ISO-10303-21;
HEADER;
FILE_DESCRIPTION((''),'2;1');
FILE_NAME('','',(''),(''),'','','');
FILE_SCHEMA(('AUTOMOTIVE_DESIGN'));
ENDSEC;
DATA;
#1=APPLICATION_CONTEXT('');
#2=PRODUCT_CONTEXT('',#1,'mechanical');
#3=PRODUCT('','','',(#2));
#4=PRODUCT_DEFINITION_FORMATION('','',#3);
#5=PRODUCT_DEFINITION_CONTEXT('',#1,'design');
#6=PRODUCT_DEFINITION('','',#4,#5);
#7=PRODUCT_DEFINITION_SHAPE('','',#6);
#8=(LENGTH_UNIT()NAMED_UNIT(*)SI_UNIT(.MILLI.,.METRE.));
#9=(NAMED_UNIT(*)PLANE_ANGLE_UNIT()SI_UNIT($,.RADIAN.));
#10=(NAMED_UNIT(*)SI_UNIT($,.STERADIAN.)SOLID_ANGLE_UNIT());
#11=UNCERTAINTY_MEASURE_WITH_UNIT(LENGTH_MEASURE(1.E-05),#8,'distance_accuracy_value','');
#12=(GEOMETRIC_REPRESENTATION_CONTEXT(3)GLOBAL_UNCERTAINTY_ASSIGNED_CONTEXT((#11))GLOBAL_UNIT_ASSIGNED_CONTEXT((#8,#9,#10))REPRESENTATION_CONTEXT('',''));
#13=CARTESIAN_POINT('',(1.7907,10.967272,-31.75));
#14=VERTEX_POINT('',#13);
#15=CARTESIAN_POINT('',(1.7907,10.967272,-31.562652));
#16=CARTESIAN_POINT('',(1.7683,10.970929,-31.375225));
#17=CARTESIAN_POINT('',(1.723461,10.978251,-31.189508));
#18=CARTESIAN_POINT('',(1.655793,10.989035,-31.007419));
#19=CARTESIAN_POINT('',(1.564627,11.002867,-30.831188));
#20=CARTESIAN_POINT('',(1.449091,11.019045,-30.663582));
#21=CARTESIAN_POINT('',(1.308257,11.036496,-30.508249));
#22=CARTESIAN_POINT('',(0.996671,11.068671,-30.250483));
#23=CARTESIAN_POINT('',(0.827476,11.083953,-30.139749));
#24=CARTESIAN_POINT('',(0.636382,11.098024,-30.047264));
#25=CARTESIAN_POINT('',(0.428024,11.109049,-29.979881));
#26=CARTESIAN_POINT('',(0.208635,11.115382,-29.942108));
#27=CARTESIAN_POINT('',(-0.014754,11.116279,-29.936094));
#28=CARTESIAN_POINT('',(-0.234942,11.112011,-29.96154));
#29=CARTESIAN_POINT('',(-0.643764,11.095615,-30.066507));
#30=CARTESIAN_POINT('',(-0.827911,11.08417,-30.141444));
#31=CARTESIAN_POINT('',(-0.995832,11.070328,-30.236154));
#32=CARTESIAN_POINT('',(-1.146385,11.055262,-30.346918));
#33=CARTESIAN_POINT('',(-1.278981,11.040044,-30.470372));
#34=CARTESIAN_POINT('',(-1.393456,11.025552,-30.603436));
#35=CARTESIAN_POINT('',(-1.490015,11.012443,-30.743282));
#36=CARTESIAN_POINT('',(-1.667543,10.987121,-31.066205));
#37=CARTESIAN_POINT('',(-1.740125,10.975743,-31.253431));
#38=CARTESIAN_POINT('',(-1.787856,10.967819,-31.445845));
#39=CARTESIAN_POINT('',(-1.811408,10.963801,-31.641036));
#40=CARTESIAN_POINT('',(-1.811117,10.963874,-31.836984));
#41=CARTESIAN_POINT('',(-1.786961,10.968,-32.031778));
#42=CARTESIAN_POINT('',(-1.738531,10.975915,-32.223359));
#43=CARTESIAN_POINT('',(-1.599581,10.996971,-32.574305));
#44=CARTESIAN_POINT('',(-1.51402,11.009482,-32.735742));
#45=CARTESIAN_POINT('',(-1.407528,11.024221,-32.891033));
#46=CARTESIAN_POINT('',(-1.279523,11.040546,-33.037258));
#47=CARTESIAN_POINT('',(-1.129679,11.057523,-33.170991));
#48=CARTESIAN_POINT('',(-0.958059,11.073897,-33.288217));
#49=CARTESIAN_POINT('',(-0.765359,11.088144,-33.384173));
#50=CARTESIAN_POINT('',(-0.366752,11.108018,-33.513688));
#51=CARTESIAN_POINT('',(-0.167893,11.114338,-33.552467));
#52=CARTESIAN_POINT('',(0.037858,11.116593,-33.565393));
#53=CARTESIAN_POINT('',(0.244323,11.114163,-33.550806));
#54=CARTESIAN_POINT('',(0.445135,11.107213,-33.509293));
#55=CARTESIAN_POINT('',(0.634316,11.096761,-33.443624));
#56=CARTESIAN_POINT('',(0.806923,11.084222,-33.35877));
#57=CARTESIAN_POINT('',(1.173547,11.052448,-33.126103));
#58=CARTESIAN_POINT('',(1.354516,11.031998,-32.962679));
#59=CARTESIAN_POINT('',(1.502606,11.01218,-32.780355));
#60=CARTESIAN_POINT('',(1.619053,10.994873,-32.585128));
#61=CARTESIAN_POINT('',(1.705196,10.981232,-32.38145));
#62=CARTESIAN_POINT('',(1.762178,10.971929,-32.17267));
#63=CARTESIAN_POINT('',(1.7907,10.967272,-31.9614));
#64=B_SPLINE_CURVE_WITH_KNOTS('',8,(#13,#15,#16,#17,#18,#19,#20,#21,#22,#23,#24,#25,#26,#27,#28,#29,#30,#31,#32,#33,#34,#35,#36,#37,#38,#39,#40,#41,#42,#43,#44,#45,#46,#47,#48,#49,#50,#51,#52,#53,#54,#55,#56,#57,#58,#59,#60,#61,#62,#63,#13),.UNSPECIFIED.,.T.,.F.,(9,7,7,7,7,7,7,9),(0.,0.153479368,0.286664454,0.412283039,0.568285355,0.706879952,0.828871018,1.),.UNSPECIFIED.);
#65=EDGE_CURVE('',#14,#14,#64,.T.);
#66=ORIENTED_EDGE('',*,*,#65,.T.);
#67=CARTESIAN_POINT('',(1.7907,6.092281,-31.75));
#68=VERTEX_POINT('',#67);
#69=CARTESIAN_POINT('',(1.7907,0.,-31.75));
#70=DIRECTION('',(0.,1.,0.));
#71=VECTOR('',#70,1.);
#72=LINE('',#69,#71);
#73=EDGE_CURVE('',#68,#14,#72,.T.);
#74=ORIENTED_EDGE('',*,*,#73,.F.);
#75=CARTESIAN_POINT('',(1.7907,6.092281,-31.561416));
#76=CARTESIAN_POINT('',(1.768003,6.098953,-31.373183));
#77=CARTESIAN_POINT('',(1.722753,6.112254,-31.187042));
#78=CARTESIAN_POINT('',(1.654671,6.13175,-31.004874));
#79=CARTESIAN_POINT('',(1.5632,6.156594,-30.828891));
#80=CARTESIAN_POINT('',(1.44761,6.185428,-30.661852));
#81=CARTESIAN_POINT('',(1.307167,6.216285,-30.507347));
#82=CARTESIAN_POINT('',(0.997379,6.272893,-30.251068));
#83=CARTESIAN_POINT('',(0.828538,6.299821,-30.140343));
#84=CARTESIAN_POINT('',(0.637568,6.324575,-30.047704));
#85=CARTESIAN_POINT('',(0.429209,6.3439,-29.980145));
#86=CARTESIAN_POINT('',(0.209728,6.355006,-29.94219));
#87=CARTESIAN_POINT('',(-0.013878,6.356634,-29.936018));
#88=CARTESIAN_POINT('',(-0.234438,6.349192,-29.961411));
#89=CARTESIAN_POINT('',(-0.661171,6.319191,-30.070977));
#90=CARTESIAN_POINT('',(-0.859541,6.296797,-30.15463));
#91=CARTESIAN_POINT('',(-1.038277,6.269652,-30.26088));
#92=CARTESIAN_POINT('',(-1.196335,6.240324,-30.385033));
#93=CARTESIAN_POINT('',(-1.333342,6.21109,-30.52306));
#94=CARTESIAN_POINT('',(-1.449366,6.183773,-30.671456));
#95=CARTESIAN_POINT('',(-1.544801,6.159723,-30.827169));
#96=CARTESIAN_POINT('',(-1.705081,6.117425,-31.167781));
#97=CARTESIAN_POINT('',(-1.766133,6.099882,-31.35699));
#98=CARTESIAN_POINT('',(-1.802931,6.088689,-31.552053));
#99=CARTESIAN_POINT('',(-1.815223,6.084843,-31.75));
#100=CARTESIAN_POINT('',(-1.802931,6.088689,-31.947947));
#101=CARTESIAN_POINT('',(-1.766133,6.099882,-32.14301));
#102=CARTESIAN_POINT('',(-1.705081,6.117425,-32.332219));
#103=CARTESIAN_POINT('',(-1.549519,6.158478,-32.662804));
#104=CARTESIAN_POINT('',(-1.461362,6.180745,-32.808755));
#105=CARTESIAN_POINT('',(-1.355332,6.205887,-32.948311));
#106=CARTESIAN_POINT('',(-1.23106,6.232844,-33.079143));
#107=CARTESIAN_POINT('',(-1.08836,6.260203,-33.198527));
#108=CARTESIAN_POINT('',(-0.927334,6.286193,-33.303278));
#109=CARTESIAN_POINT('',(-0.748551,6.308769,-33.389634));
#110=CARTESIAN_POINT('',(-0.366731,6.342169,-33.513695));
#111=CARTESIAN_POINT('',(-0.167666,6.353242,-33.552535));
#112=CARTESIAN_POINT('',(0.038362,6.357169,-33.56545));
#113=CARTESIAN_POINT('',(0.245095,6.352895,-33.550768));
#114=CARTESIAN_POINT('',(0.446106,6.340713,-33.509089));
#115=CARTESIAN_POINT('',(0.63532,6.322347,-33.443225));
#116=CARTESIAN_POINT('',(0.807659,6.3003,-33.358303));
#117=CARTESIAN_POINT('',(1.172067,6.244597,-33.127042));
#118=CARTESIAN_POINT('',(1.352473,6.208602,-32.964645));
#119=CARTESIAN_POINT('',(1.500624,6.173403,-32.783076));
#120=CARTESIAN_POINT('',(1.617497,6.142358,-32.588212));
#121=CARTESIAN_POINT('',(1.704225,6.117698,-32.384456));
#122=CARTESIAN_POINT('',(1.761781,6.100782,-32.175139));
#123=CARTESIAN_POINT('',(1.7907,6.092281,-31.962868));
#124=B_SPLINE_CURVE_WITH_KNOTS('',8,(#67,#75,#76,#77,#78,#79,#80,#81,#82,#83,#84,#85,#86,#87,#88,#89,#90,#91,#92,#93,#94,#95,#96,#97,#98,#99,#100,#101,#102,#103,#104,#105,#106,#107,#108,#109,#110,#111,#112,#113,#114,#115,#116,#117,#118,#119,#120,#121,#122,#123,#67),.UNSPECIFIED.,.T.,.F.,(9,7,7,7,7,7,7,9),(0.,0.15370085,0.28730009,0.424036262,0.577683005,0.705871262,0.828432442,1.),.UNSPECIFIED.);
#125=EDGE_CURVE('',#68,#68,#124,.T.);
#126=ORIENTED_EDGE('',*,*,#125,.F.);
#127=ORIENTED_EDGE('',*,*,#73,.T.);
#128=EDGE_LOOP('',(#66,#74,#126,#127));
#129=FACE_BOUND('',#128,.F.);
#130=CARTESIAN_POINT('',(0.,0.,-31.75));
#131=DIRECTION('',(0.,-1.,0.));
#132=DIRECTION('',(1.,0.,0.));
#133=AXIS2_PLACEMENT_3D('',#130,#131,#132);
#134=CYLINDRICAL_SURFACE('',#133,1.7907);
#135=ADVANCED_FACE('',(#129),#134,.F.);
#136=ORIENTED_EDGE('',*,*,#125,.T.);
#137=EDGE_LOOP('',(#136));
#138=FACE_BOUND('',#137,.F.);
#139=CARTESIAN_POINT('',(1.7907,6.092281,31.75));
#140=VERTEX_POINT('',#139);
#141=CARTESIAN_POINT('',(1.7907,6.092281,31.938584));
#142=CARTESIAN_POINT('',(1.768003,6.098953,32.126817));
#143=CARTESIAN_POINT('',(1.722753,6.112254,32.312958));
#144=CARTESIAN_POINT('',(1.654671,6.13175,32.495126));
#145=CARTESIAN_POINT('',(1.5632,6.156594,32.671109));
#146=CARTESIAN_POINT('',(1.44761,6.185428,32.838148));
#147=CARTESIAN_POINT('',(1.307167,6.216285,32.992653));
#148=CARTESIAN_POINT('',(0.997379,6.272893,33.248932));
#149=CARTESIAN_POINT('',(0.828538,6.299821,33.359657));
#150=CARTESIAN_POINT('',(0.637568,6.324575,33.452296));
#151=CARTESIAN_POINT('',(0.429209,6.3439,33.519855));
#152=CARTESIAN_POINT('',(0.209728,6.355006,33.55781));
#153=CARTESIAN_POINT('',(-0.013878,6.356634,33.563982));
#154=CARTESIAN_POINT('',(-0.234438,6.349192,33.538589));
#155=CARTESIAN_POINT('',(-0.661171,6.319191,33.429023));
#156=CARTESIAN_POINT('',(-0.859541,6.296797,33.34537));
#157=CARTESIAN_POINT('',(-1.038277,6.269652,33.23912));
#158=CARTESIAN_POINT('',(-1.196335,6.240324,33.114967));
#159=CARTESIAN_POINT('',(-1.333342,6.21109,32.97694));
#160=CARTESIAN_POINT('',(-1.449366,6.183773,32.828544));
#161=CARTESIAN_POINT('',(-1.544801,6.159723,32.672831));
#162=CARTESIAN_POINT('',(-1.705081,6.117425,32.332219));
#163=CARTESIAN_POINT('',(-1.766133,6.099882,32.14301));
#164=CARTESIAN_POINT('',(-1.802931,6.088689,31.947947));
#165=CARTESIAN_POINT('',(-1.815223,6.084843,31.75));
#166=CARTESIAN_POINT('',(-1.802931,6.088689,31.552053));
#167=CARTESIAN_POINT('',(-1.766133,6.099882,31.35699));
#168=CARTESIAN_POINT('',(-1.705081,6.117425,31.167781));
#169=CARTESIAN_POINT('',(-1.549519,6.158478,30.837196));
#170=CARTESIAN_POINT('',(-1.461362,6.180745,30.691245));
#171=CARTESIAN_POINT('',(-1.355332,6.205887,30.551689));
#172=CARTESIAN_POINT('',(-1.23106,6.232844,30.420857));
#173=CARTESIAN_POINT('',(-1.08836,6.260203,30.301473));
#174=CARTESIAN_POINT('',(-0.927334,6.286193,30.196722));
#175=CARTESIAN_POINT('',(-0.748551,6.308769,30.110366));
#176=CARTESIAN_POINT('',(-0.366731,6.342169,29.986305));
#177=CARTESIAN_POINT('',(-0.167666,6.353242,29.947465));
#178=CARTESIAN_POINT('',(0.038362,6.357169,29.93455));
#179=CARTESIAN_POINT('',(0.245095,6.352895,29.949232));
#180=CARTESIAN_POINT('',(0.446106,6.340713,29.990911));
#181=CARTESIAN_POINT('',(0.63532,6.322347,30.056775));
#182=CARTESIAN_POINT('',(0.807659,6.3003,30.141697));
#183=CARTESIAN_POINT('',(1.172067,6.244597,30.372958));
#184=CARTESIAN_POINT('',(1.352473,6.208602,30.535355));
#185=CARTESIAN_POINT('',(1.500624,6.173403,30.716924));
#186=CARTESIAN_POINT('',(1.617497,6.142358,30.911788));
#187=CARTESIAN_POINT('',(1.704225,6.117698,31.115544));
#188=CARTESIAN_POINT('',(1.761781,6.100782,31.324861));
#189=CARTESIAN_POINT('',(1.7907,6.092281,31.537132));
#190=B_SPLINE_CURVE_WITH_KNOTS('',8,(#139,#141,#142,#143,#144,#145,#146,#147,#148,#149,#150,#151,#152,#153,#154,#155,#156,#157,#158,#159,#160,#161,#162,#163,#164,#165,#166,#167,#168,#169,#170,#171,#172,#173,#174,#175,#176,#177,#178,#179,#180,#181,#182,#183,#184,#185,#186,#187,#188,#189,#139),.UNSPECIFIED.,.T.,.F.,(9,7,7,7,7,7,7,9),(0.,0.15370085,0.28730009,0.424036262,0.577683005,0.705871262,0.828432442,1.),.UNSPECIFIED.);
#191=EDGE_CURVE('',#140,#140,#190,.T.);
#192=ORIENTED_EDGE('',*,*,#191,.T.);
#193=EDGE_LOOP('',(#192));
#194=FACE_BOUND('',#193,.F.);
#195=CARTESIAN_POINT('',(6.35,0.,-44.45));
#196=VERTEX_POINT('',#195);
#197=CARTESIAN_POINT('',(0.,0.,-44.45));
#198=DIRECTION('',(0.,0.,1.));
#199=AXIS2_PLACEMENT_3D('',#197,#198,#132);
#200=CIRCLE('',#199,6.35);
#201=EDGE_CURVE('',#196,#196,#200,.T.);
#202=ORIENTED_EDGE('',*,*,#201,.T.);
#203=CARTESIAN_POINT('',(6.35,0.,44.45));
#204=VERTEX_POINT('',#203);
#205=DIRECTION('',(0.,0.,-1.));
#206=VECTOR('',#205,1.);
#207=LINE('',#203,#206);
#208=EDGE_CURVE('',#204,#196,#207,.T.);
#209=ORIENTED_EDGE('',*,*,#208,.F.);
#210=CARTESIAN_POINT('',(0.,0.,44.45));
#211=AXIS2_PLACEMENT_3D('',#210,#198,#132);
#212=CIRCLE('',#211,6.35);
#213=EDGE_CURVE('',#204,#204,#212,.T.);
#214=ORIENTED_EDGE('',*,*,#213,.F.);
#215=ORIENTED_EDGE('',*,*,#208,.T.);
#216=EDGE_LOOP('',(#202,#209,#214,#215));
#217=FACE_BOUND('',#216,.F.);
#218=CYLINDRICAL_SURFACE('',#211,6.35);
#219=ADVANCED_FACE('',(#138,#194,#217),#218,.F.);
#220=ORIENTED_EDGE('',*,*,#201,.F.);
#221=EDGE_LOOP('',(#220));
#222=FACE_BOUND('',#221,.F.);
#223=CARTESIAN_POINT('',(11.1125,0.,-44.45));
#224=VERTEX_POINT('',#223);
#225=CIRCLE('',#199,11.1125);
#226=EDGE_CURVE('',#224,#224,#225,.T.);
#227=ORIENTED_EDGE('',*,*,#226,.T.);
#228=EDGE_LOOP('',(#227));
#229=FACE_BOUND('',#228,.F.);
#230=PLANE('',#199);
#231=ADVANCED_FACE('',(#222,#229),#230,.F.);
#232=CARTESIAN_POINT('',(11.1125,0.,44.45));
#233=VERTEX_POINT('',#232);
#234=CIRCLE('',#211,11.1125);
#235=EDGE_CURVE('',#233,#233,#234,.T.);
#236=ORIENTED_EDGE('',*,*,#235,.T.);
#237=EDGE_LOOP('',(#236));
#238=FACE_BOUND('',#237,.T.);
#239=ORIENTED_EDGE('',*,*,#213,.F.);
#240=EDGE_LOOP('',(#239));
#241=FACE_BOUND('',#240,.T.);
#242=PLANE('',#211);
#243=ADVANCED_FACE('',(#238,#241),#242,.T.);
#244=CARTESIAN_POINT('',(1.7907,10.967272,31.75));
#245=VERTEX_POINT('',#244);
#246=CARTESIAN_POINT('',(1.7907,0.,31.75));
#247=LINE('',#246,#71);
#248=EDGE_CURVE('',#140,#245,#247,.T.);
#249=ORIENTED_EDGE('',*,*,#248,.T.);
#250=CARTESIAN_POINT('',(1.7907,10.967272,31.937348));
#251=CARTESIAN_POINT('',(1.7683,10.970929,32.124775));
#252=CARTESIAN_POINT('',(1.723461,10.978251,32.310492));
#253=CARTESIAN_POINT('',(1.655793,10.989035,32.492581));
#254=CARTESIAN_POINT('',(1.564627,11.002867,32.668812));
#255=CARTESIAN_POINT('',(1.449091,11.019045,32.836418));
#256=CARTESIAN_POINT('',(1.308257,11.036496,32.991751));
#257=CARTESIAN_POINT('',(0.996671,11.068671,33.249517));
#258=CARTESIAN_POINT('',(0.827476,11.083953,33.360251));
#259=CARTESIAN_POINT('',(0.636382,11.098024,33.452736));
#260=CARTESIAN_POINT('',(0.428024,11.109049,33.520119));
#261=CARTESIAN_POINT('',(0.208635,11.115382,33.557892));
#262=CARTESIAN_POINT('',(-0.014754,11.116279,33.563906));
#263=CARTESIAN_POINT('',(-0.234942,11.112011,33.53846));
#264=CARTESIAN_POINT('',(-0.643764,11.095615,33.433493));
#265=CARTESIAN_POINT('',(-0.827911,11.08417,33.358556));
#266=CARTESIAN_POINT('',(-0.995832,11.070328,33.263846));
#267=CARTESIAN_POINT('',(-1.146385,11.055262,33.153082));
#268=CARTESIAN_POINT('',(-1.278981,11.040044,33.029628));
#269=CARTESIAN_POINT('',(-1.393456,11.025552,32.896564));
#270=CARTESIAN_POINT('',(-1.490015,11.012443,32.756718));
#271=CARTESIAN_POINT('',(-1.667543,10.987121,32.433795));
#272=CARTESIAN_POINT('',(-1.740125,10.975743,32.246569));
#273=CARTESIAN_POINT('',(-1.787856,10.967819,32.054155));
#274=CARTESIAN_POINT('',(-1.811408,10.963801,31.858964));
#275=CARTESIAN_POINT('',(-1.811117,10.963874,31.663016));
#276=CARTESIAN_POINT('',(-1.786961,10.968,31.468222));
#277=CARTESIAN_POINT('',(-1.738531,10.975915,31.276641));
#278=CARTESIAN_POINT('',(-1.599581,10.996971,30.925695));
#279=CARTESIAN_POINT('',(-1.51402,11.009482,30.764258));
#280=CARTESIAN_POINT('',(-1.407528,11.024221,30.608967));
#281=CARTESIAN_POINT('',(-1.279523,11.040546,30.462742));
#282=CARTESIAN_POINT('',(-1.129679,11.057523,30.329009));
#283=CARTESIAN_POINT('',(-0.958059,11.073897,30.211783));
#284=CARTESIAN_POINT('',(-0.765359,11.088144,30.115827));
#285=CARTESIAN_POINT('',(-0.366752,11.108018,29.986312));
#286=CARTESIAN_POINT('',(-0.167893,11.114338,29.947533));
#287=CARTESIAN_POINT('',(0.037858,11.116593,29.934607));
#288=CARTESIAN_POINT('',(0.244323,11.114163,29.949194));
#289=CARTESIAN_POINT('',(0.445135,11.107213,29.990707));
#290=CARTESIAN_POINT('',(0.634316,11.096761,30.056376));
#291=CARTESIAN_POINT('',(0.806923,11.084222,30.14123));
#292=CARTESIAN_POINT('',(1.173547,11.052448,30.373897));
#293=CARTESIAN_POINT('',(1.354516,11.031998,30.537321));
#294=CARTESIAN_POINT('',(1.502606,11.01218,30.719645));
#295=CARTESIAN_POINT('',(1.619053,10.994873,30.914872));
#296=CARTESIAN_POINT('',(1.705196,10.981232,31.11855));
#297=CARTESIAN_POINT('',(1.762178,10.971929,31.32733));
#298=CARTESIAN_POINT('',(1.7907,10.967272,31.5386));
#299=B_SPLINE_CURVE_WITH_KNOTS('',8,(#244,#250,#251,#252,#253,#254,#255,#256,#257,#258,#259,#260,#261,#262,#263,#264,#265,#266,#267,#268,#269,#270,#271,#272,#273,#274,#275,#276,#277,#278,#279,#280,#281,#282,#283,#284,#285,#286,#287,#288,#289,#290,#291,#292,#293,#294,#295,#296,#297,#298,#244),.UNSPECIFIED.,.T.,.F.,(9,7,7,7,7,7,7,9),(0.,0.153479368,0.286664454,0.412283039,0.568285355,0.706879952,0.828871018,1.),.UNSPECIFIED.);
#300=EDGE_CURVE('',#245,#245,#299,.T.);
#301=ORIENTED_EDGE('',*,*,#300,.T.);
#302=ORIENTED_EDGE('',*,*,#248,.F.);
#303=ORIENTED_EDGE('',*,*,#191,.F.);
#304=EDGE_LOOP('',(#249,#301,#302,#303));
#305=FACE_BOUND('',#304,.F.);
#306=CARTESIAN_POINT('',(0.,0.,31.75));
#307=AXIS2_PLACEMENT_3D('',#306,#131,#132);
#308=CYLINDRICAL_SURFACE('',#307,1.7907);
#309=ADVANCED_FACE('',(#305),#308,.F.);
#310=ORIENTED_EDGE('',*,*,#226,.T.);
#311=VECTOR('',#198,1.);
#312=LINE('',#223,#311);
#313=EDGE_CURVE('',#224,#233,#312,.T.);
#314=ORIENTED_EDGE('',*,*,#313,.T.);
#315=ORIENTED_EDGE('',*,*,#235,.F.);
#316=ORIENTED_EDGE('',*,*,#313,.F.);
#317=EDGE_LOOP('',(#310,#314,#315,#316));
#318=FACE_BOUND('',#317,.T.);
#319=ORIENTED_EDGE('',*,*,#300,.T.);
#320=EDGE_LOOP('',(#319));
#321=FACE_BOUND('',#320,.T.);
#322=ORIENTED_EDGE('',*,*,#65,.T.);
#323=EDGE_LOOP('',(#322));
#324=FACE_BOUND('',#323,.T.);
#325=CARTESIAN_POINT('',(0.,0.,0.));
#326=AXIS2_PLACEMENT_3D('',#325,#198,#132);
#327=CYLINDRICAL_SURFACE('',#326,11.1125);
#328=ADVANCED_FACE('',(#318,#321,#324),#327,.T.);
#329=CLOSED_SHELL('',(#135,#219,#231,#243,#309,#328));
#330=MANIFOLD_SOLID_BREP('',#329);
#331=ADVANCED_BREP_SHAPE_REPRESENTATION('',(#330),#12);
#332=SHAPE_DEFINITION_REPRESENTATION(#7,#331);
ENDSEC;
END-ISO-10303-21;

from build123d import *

# Parameters (mm, degrees)
F0_R     = 11.1125
F1_DEPTH = 44.45
F2_R     = 6.35
F3_DEPTH = 88.901
F4_R     = 1.7907
F5_DEPTH = 25.4


with BuildPart() as f1:
    # F0 (on Top) → F1 (new body, symmetric)
    with BuildSketch(Plane.XY):
        Circle(F0_R)
    extrude(amount=F1_DEPTH, both=True)

    # F2 (on face) → F3 (cut, through all)
    with BuildSketch(Plane.XY.offset(44.45)):
        Circle(F2_R)
    extrude(amount=-F3_DEPTH, mode=Mode.SUBTRACT)

    # F4 (on Front) → F5 (cut)
    with BuildSketch(Plane.XZ):
        with Locations((0, 31.75)):
            Circle(F4_R)
        with Locations((0, -31.75)):
            Circle(F4_R)
    extrude(amount=-F5_DEPTH, mode=Mode.SUBTRACT)


solid = f1.part
